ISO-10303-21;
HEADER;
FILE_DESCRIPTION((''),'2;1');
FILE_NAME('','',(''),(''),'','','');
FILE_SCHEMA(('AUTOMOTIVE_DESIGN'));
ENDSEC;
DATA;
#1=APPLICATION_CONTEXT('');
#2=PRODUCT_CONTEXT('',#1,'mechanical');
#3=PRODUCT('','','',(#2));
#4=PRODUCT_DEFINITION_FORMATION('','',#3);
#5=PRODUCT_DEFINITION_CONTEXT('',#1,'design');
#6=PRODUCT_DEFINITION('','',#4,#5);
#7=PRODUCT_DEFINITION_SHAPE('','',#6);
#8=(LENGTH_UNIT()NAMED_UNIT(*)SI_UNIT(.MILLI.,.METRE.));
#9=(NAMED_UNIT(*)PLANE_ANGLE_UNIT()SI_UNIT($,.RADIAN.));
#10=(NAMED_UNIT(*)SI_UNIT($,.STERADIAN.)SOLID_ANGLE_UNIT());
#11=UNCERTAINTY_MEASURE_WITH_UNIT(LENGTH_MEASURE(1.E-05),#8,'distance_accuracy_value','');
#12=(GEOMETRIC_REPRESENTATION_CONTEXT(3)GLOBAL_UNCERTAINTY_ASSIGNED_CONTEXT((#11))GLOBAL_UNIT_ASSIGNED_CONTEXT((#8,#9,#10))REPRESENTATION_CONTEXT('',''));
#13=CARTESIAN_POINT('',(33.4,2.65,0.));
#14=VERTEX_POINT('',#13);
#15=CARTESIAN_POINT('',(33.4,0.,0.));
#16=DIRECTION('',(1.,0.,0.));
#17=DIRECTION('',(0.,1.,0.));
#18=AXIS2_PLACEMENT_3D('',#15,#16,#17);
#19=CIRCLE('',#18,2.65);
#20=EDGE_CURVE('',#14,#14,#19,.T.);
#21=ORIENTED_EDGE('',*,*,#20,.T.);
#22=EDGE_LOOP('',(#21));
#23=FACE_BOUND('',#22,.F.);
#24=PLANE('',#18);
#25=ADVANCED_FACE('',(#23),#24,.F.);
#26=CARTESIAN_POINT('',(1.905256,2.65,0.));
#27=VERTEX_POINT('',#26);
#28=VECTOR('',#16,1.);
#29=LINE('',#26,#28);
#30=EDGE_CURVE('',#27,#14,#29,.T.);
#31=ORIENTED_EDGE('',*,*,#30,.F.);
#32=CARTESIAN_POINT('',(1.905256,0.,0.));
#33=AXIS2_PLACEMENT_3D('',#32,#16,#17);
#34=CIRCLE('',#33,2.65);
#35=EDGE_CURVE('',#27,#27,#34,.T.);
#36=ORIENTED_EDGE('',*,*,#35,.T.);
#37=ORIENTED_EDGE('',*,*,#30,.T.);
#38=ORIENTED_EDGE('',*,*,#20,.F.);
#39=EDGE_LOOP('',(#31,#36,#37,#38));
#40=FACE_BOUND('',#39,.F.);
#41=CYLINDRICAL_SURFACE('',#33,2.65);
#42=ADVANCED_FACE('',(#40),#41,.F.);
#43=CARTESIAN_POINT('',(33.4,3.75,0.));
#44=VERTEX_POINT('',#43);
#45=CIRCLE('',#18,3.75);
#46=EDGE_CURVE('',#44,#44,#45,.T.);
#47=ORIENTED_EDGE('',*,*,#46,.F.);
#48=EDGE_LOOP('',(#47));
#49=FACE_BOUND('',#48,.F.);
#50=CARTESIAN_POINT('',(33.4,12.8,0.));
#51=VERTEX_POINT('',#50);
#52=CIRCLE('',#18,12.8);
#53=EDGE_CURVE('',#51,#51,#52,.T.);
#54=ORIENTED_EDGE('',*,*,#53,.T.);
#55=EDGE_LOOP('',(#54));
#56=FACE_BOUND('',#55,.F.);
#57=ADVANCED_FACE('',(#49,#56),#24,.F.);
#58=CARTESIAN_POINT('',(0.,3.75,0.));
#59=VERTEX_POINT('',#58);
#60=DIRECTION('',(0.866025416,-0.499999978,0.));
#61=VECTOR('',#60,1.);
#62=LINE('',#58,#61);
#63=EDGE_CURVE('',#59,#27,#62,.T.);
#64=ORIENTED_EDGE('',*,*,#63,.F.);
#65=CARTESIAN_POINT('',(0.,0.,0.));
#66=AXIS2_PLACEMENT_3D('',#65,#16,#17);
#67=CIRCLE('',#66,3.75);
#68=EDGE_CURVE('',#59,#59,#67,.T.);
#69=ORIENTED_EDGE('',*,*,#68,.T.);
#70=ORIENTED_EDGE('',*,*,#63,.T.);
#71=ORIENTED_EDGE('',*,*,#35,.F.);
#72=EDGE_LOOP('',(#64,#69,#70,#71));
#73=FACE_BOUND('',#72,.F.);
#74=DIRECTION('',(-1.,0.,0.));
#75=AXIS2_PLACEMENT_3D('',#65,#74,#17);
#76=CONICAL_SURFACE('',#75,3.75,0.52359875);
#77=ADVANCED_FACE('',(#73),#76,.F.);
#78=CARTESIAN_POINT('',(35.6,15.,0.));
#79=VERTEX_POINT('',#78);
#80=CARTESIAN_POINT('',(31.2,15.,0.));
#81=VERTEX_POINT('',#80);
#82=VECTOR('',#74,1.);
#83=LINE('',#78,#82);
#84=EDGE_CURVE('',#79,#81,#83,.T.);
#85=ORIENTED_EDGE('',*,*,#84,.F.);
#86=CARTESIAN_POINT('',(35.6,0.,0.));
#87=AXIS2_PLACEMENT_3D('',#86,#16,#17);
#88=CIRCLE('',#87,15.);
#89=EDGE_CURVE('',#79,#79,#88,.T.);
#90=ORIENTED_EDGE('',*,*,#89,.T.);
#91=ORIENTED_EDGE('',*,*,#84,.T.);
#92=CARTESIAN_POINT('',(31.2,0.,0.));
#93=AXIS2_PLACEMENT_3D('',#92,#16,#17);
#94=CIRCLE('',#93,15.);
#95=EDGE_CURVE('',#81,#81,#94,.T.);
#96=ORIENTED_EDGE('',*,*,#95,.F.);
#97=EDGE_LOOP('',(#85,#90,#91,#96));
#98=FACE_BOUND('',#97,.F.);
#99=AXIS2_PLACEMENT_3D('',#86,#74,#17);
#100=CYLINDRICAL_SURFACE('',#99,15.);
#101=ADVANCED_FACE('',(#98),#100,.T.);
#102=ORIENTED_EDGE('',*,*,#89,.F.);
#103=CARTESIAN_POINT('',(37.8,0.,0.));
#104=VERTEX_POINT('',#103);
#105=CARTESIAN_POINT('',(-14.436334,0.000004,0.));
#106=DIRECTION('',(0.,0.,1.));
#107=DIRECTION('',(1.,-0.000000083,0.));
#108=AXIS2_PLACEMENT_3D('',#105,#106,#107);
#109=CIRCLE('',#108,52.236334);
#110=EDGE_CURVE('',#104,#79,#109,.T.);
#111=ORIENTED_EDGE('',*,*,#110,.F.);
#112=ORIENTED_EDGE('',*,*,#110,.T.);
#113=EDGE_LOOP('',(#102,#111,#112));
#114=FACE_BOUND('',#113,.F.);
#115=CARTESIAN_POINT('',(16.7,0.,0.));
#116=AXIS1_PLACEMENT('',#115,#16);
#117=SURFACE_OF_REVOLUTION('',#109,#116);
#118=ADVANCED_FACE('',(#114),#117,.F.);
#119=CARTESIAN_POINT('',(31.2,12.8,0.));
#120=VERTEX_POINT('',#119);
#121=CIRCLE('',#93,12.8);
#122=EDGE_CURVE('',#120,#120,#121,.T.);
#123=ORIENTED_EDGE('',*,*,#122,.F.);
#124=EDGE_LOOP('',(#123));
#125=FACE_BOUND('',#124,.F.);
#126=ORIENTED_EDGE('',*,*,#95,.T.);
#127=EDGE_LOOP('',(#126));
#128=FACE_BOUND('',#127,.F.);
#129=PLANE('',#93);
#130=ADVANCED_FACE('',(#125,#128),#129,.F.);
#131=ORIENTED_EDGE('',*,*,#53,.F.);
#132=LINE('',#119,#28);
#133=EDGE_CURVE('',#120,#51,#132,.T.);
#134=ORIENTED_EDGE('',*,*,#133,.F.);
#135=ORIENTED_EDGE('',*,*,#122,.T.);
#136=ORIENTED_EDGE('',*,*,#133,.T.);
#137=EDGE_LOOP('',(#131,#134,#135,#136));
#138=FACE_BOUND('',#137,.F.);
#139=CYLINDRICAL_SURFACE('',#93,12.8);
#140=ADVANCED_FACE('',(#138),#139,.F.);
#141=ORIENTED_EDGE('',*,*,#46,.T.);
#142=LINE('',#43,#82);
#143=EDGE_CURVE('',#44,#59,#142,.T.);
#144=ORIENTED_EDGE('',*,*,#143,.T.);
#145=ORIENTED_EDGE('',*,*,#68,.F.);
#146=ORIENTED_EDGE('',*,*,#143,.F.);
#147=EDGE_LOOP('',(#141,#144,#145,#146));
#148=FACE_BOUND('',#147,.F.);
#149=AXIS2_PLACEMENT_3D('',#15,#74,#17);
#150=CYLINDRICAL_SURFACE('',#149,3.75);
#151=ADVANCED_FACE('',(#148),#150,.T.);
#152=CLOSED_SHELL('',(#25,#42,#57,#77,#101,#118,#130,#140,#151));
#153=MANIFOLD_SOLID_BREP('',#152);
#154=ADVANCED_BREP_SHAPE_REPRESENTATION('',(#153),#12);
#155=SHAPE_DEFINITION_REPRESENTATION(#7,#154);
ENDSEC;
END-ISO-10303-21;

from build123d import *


with BuildPart() as f1:
    # F0 (on Top) → F1 (revolve)
    with BuildSketch(Plane.XY):
        with BuildLine():
            Line((33.4, 2.65), (33.4, 0))
            Line((33.4, 0), (37.8, 0))
            ThreePointArc((37.8, 0), (37.247074, 7.580237), (35.6, 15))
            Line((35.6, 15), (33.4, 15))
            Line((33.4, 15), (31.2, 15))
            Line((31.2, 15), (31.2, 12.8))
            Line((31.2, 12.8), (33.4, 12.8))
            Line((33.4, 12.8), (33.4, 3.75))
            Line((33.4, 3.75), (0, 3.75))
            Line((0, 3.75), (1.905256, 2.65))
            Line((1.905256, 2.65), (33.4, 2.65))
        make_face()
    revolve(axis=Axis((16.7, 0, 0), (1, 0, 0)))


solid = f1.part
